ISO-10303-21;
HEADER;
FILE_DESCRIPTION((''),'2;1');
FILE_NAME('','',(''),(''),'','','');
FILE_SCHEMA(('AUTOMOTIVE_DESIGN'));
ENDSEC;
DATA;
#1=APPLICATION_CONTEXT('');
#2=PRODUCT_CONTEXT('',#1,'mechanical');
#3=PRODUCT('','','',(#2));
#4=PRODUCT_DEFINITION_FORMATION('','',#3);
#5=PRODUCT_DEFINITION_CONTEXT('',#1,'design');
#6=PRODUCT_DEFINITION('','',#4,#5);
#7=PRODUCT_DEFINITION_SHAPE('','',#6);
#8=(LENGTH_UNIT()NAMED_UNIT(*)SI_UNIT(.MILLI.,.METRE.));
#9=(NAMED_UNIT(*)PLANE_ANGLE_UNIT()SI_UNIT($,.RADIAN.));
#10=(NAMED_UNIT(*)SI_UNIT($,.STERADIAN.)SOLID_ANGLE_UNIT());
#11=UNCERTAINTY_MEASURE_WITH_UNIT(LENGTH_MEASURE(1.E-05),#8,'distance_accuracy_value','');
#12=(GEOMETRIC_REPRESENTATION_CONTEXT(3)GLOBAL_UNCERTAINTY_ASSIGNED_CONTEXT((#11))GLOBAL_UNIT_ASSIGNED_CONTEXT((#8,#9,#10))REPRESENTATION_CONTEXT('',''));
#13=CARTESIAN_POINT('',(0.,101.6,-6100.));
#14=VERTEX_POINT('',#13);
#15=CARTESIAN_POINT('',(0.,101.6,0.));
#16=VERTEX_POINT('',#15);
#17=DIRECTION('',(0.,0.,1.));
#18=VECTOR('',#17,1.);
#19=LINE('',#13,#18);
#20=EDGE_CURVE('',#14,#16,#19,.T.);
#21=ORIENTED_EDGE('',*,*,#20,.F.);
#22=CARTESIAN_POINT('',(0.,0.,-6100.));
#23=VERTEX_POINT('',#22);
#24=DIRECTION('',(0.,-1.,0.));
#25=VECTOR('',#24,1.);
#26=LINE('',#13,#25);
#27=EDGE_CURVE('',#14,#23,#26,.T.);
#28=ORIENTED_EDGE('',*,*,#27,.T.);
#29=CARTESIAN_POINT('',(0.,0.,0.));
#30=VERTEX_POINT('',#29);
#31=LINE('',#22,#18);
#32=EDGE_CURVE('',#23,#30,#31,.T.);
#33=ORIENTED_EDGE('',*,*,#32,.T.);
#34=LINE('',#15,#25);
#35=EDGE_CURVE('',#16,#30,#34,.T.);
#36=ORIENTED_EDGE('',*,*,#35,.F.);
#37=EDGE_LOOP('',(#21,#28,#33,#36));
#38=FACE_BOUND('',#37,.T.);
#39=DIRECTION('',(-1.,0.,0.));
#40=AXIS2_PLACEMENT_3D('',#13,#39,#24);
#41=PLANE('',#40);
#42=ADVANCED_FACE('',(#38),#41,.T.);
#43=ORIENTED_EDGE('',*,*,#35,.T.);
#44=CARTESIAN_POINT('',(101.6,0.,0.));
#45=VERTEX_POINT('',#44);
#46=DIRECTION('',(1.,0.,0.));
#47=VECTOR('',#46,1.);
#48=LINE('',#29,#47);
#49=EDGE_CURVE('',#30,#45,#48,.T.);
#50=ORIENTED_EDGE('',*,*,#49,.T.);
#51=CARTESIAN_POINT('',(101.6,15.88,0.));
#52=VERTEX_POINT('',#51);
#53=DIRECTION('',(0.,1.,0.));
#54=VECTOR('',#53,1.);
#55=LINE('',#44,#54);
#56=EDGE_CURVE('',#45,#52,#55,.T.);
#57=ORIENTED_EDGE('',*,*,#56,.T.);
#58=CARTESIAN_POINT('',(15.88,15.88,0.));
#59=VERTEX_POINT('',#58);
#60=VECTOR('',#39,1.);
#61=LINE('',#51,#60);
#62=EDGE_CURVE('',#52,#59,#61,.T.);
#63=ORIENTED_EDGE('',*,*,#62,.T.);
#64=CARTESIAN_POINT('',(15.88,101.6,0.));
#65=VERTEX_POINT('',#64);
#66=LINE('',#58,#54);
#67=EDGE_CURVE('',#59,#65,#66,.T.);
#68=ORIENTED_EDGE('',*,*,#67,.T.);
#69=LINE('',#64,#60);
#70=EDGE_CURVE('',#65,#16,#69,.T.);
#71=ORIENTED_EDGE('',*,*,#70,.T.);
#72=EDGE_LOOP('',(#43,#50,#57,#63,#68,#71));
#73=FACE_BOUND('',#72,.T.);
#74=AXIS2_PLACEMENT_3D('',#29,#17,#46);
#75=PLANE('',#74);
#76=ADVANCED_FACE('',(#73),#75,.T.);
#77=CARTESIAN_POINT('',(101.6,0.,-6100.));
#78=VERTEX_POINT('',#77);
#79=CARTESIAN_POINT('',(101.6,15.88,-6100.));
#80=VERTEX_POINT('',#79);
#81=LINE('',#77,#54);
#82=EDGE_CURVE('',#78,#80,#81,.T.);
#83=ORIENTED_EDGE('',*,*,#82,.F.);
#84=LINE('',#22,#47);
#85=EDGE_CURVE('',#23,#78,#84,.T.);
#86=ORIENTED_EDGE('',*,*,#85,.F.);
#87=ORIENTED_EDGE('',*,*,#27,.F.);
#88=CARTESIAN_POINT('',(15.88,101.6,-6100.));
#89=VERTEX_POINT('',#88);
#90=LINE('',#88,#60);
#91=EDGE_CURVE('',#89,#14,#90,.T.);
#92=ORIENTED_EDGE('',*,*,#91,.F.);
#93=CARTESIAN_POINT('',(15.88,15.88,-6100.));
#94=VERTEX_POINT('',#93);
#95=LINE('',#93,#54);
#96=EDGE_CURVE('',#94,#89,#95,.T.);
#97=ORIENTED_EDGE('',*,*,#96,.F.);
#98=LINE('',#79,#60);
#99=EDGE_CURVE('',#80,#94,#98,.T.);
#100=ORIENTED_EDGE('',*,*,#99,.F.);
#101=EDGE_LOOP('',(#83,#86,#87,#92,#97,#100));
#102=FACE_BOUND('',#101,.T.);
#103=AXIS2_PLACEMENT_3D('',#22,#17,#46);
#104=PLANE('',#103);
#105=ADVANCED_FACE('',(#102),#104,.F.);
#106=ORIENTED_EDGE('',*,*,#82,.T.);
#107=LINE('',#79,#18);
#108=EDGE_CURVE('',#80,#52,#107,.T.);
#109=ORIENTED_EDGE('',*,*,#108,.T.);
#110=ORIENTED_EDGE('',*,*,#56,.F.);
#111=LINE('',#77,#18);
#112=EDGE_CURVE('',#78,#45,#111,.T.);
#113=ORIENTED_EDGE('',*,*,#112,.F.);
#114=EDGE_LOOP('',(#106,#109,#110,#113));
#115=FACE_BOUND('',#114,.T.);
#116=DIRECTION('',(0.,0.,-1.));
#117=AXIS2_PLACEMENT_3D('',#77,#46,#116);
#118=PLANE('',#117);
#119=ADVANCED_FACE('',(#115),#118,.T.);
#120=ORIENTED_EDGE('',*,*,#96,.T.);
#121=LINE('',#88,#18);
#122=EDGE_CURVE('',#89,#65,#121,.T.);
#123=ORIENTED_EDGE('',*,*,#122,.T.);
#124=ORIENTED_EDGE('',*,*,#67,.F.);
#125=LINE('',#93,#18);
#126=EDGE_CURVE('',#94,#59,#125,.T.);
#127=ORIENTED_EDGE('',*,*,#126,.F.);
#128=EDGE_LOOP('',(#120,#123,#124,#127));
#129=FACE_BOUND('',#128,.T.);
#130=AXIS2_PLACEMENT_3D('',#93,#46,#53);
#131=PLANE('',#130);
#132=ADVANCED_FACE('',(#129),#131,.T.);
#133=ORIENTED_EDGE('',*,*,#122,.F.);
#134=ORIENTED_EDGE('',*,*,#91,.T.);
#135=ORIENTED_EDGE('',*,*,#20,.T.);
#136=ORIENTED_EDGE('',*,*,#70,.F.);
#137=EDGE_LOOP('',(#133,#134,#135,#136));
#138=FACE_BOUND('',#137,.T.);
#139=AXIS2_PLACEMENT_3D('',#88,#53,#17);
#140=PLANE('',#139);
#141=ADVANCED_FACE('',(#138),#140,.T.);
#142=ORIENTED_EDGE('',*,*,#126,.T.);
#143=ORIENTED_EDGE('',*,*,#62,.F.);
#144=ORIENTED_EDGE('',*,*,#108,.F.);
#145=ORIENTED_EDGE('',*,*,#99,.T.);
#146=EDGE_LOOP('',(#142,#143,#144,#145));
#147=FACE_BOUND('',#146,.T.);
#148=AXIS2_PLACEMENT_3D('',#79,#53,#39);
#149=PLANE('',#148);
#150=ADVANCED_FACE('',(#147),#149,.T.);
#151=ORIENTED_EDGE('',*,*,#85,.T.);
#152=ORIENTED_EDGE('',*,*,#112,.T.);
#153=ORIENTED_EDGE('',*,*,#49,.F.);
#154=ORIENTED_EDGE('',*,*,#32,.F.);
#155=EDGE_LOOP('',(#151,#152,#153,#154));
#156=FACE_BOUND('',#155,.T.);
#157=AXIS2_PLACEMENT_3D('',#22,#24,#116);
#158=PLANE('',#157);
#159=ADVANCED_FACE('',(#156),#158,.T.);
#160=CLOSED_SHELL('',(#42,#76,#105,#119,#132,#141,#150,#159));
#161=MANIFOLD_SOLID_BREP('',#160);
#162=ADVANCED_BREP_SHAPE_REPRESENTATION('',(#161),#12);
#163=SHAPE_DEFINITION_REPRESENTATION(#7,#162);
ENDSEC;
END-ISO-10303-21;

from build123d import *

# Parameters (mm, degrees)
SALIENTE_EXTRUIR1_DEPTH = 6100


with BuildPart() as part:
    # Croquis1 → Saliente-Extruir1 (new body)
    with BuildSketch(Plane.XY):
        Polygon((0, 101.6), (0, 0), (101.6, 0), (101.6, 15.88), (15.88, 15.88), (15.88, 101.6), align=None)
    extrude(amount=-SALIENTE_EXTRUIR1_DEPTH)


solid = part.part
